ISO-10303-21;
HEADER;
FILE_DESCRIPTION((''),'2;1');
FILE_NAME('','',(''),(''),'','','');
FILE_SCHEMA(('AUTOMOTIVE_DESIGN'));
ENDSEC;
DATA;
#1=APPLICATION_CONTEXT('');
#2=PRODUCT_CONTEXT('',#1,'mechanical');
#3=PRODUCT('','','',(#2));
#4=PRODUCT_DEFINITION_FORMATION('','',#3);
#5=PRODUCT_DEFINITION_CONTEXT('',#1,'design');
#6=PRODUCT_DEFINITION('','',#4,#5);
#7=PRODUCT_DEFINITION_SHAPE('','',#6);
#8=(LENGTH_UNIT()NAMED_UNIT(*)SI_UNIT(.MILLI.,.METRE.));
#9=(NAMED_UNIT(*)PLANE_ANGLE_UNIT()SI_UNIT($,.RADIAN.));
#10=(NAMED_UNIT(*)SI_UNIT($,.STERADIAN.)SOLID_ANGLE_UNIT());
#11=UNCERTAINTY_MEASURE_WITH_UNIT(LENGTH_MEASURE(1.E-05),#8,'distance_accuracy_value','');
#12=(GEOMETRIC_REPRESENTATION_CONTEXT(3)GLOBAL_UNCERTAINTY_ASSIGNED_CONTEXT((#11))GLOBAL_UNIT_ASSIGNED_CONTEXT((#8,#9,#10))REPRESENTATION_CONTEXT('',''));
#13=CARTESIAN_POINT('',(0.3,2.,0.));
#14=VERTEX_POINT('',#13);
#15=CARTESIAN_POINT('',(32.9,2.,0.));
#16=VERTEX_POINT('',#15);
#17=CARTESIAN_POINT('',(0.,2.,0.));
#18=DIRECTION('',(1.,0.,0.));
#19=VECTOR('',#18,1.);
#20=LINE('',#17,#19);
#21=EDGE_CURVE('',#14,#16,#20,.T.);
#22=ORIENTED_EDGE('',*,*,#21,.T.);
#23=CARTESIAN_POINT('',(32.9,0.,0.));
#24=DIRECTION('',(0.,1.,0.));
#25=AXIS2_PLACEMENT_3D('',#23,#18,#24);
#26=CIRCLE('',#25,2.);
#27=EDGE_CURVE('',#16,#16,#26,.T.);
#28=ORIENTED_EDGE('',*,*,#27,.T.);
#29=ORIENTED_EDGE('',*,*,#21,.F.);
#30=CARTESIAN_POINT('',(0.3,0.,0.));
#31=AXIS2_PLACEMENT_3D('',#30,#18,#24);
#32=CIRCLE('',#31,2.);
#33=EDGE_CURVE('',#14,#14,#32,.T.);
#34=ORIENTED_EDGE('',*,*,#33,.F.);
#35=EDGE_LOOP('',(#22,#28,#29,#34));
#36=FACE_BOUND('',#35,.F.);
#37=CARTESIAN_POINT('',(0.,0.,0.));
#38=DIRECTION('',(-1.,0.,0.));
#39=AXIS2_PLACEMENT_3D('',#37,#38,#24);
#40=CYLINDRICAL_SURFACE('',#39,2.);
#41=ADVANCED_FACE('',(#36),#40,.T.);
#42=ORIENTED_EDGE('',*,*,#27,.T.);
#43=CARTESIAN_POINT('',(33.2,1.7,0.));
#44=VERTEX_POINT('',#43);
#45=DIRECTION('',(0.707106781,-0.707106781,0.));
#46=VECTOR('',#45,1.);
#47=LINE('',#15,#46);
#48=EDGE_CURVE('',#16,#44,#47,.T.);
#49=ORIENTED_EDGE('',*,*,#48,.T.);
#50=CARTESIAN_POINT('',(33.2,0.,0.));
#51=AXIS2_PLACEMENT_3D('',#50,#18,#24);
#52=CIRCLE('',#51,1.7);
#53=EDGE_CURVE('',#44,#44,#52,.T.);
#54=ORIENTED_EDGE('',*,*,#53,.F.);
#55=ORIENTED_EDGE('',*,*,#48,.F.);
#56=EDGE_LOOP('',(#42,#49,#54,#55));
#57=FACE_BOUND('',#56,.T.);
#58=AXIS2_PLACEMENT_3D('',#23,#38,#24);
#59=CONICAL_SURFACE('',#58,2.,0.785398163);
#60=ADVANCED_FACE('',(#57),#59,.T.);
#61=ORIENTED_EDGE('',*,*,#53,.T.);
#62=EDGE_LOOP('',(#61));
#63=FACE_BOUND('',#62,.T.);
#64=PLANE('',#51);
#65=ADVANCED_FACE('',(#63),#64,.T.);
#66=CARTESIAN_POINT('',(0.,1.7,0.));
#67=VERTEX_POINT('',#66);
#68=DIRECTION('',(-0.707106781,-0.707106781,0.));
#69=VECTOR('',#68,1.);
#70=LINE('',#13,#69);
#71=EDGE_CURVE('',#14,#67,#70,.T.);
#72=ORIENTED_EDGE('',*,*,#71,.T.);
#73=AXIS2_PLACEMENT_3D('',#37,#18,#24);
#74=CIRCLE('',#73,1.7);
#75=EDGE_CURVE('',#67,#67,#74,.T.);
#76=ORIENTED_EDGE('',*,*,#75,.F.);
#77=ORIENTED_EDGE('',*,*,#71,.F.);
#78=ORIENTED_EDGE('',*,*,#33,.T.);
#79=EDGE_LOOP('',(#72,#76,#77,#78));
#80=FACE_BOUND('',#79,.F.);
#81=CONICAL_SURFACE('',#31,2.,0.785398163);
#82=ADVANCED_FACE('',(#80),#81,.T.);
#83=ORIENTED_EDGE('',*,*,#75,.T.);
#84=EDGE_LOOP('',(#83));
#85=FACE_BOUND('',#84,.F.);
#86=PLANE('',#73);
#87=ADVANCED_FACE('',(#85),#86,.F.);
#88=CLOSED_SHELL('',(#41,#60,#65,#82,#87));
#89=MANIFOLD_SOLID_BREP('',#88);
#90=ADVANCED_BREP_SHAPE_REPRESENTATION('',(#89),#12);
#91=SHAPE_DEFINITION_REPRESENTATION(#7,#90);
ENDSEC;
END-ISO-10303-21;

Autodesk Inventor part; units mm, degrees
ref_plane "YZ Plane" through (0, 0, 0) normal (1, 0, 0) x (0, 1, 0)
ref_plane "XZ Plane" through (0, 0, 0) normal (0, 1, 0) x (-1, 0, 0)
ref_plane "XY Plane" through (0, 0, 0) normal (0, 0, 1) x (1, 0, 0)
sketch "Skizze1" plane through (0, 0, 0) normal (1, 0, 0) x (0, 1, 0)
  circle A0 centre (0, 0) radius 2
  dimension "d0" = 4
extrude "Extrusion1" add sketch "Skizze1" along normal blind 33.2
chamfer "Fase1" distance 0.3 angle 45 2 edges at (0, -2, 0) (33.2, -2, 0)
properties part number "OmniWheelAxisSmall"
